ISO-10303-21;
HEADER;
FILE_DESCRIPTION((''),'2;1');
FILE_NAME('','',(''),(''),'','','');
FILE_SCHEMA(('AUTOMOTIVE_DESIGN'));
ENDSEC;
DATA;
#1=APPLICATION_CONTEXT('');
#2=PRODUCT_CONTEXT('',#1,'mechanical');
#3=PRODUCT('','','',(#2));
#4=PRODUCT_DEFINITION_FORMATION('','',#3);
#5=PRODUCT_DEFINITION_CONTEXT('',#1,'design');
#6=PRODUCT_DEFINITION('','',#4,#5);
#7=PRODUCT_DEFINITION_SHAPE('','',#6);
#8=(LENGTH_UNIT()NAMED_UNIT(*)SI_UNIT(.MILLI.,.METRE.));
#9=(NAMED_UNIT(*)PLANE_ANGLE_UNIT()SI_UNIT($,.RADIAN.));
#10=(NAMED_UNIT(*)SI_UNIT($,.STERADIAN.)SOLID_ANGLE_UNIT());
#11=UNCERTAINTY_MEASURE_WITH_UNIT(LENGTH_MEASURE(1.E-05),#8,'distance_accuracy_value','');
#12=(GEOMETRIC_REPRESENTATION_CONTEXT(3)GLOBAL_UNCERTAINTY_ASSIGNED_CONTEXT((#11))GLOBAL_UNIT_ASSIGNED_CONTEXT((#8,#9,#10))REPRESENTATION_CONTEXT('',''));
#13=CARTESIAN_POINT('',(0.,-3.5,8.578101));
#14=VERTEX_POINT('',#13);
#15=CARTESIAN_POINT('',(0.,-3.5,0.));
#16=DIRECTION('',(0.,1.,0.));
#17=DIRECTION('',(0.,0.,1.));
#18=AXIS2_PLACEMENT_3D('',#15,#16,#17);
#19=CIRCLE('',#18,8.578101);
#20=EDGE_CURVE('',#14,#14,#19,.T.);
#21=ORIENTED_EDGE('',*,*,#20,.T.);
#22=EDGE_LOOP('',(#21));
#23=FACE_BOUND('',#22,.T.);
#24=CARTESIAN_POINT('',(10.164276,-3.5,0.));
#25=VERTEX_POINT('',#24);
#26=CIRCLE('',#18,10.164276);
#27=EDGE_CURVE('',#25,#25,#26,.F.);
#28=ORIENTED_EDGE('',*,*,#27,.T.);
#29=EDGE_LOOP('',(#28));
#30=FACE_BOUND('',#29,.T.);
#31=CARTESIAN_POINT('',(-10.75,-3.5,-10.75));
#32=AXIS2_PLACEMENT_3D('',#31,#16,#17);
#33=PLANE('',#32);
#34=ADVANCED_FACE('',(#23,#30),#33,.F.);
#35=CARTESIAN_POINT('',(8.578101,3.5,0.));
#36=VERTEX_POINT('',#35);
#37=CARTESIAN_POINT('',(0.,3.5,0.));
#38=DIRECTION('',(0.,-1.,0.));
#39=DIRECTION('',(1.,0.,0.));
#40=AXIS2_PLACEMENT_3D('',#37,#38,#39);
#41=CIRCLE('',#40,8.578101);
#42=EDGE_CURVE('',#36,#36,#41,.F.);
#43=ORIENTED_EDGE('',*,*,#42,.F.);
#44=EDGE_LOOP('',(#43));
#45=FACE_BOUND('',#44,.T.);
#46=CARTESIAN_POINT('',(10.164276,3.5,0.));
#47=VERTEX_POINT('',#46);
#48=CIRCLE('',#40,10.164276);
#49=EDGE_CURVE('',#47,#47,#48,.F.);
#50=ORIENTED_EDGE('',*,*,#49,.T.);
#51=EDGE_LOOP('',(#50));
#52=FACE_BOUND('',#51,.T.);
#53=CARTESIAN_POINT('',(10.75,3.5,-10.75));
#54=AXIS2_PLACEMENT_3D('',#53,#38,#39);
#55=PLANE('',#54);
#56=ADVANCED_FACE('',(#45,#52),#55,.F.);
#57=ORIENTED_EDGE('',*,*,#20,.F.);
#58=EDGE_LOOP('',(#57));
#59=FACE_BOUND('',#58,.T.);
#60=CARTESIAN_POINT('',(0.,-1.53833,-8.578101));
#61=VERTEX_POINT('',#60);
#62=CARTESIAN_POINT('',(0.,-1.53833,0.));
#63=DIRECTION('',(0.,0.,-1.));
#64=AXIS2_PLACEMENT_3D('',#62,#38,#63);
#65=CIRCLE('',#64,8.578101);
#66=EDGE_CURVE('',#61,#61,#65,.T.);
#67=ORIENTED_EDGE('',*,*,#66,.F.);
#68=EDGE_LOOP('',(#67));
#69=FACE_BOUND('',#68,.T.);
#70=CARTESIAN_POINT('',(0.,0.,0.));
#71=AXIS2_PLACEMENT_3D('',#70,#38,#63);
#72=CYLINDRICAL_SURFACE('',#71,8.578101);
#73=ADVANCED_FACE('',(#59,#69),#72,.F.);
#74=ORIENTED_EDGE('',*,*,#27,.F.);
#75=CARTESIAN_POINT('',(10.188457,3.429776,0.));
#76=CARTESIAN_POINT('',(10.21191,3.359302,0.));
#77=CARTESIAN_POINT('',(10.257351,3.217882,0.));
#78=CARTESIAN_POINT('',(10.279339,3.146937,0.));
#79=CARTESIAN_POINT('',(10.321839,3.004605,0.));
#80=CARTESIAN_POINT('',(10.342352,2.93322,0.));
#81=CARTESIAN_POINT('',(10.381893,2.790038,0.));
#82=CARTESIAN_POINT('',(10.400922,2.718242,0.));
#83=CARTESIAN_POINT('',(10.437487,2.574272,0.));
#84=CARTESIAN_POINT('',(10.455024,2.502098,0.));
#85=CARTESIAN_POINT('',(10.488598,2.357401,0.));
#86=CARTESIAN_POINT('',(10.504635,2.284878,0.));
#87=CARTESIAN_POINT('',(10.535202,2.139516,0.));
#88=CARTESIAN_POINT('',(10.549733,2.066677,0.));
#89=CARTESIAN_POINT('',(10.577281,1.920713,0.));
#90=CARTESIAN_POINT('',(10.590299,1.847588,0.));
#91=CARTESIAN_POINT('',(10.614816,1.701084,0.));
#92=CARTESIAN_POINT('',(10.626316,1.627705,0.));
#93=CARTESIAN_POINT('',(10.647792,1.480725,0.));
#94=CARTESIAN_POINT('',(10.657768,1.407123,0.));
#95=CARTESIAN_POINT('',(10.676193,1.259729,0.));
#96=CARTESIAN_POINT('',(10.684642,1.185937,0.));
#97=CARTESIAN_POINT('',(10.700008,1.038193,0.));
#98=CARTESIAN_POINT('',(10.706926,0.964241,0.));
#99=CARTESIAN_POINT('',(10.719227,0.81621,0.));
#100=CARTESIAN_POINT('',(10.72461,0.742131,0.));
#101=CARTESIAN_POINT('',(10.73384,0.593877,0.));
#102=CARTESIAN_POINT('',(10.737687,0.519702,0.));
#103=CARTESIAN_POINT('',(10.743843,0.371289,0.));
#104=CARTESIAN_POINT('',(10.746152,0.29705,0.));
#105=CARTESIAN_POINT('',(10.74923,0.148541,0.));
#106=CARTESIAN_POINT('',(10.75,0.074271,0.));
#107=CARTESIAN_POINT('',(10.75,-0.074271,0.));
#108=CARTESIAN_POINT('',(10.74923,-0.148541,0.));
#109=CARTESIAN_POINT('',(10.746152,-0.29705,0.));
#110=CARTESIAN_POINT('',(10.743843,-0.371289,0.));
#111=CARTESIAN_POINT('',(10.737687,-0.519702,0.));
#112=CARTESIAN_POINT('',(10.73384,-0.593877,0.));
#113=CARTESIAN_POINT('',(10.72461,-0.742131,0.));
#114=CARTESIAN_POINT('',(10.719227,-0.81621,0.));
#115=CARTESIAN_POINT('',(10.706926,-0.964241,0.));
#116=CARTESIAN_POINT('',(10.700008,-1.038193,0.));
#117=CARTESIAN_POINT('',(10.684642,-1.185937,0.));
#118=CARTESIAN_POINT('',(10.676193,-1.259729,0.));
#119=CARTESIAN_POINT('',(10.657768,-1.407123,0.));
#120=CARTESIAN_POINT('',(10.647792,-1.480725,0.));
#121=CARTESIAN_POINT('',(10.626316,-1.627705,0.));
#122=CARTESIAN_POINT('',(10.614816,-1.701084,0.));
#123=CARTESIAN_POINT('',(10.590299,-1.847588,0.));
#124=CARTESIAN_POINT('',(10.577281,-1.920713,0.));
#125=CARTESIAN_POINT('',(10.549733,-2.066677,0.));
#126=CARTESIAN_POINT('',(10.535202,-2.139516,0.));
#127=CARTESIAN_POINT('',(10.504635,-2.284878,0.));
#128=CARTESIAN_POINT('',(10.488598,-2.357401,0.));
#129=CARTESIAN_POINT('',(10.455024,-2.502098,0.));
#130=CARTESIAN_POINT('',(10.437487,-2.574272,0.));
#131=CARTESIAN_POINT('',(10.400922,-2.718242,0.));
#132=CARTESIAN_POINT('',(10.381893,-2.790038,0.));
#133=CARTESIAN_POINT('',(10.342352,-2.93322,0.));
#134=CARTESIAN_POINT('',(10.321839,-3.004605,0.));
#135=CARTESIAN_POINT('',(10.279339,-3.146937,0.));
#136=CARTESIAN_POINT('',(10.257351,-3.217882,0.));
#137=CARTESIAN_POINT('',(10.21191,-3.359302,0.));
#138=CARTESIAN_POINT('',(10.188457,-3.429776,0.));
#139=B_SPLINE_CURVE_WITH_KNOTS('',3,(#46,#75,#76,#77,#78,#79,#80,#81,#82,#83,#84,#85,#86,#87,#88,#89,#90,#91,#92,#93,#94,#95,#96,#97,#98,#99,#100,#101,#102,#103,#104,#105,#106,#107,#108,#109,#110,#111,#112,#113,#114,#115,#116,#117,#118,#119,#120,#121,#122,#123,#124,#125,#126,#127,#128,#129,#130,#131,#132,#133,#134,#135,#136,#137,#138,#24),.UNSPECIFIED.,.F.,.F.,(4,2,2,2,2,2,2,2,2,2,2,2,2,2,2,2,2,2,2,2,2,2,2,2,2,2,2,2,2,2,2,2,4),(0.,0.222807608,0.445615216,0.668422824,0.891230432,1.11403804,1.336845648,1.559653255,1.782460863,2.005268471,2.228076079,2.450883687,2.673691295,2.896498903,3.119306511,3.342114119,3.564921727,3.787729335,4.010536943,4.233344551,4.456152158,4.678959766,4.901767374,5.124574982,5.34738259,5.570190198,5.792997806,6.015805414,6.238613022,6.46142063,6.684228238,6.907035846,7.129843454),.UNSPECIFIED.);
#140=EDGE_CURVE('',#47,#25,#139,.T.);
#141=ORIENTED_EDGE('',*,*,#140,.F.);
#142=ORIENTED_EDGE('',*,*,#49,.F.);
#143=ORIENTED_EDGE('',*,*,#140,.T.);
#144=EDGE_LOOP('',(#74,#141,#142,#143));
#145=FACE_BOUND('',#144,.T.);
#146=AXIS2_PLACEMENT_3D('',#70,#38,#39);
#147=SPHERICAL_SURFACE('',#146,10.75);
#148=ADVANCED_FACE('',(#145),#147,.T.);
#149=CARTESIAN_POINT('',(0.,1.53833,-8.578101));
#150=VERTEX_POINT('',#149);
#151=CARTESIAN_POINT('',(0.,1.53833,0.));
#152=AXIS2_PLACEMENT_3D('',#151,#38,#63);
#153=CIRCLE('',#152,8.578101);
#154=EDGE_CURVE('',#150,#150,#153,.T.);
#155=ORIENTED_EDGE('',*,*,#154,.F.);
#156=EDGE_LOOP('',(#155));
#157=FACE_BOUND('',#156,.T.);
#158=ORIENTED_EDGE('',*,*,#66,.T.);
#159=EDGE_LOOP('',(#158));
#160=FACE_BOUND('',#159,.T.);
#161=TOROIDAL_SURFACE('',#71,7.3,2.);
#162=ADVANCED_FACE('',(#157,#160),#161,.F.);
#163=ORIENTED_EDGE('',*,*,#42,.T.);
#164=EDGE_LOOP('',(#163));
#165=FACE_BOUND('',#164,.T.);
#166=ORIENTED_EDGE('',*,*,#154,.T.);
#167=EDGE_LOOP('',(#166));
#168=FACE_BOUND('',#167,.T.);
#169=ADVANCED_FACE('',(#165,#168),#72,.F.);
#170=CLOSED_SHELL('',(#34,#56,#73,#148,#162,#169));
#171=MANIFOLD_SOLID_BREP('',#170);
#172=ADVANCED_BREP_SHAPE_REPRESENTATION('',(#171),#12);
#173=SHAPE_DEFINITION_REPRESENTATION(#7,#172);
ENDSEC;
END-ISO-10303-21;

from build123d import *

# Parameters (mm, degrees)
CUT_EXTRUDE1_DEPTH      = 16.720209922
CUT_EXTRUDE1_DEPTH_BACK = 16.720209922
SKETCH3_W               = 21.5
SKETCH3_H               = 0.5


with BuildPart() as part:
    # Sketch2 → Revolve1 (revolve)
    with BuildSketch(Plane.XY):
        with BuildLine():
            Line((8.578101022, -1.538329541), (8.578101022, -4))
            Line((8.578101022, -4), (9.978101022, -4))
            ThreePointArc((9.978101022, -4), (10.75, 0), (9.978101022, 4))
            Line((9.978101022, 4), (8.578101022, 4))
            Line((8.578101022, 4), (8.578101022, 1.538329541))
            ThreePointArc((8.578101022, 1.538329541), (9.110552684, 0.849646384), (9.3, 0))
            ThreePointArc((9.3, 0), (9.110552684, -0.849646384), (8.578101022, -1.538329541))
        make_face()
    revolve(axis=Axis((0, 0, 0), (0, 1, 0)))

    # Sketch3 → Cut-Extrude1 (cut, two sides: drawn at the far end of the back side and taken through both)
    with BuildSketch(Plane.XY.offset(-CUT_EXTRUDE1_DEPTH_BACK)):
        with Locations((0, 3.75)):
            Rectangle(SKETCH3_W, SKETCH3_H)
        with Locations((0, -3.75)):
            Rectangle(SKETCH3_W, SKETCH3_H)
    extrude(amount=CUT_EXTRUDE1_DEPTH + CUT_EXTRUDE1_DEPTH_BACK, mode=Mode.SUBTRACT)


solid = part.part
